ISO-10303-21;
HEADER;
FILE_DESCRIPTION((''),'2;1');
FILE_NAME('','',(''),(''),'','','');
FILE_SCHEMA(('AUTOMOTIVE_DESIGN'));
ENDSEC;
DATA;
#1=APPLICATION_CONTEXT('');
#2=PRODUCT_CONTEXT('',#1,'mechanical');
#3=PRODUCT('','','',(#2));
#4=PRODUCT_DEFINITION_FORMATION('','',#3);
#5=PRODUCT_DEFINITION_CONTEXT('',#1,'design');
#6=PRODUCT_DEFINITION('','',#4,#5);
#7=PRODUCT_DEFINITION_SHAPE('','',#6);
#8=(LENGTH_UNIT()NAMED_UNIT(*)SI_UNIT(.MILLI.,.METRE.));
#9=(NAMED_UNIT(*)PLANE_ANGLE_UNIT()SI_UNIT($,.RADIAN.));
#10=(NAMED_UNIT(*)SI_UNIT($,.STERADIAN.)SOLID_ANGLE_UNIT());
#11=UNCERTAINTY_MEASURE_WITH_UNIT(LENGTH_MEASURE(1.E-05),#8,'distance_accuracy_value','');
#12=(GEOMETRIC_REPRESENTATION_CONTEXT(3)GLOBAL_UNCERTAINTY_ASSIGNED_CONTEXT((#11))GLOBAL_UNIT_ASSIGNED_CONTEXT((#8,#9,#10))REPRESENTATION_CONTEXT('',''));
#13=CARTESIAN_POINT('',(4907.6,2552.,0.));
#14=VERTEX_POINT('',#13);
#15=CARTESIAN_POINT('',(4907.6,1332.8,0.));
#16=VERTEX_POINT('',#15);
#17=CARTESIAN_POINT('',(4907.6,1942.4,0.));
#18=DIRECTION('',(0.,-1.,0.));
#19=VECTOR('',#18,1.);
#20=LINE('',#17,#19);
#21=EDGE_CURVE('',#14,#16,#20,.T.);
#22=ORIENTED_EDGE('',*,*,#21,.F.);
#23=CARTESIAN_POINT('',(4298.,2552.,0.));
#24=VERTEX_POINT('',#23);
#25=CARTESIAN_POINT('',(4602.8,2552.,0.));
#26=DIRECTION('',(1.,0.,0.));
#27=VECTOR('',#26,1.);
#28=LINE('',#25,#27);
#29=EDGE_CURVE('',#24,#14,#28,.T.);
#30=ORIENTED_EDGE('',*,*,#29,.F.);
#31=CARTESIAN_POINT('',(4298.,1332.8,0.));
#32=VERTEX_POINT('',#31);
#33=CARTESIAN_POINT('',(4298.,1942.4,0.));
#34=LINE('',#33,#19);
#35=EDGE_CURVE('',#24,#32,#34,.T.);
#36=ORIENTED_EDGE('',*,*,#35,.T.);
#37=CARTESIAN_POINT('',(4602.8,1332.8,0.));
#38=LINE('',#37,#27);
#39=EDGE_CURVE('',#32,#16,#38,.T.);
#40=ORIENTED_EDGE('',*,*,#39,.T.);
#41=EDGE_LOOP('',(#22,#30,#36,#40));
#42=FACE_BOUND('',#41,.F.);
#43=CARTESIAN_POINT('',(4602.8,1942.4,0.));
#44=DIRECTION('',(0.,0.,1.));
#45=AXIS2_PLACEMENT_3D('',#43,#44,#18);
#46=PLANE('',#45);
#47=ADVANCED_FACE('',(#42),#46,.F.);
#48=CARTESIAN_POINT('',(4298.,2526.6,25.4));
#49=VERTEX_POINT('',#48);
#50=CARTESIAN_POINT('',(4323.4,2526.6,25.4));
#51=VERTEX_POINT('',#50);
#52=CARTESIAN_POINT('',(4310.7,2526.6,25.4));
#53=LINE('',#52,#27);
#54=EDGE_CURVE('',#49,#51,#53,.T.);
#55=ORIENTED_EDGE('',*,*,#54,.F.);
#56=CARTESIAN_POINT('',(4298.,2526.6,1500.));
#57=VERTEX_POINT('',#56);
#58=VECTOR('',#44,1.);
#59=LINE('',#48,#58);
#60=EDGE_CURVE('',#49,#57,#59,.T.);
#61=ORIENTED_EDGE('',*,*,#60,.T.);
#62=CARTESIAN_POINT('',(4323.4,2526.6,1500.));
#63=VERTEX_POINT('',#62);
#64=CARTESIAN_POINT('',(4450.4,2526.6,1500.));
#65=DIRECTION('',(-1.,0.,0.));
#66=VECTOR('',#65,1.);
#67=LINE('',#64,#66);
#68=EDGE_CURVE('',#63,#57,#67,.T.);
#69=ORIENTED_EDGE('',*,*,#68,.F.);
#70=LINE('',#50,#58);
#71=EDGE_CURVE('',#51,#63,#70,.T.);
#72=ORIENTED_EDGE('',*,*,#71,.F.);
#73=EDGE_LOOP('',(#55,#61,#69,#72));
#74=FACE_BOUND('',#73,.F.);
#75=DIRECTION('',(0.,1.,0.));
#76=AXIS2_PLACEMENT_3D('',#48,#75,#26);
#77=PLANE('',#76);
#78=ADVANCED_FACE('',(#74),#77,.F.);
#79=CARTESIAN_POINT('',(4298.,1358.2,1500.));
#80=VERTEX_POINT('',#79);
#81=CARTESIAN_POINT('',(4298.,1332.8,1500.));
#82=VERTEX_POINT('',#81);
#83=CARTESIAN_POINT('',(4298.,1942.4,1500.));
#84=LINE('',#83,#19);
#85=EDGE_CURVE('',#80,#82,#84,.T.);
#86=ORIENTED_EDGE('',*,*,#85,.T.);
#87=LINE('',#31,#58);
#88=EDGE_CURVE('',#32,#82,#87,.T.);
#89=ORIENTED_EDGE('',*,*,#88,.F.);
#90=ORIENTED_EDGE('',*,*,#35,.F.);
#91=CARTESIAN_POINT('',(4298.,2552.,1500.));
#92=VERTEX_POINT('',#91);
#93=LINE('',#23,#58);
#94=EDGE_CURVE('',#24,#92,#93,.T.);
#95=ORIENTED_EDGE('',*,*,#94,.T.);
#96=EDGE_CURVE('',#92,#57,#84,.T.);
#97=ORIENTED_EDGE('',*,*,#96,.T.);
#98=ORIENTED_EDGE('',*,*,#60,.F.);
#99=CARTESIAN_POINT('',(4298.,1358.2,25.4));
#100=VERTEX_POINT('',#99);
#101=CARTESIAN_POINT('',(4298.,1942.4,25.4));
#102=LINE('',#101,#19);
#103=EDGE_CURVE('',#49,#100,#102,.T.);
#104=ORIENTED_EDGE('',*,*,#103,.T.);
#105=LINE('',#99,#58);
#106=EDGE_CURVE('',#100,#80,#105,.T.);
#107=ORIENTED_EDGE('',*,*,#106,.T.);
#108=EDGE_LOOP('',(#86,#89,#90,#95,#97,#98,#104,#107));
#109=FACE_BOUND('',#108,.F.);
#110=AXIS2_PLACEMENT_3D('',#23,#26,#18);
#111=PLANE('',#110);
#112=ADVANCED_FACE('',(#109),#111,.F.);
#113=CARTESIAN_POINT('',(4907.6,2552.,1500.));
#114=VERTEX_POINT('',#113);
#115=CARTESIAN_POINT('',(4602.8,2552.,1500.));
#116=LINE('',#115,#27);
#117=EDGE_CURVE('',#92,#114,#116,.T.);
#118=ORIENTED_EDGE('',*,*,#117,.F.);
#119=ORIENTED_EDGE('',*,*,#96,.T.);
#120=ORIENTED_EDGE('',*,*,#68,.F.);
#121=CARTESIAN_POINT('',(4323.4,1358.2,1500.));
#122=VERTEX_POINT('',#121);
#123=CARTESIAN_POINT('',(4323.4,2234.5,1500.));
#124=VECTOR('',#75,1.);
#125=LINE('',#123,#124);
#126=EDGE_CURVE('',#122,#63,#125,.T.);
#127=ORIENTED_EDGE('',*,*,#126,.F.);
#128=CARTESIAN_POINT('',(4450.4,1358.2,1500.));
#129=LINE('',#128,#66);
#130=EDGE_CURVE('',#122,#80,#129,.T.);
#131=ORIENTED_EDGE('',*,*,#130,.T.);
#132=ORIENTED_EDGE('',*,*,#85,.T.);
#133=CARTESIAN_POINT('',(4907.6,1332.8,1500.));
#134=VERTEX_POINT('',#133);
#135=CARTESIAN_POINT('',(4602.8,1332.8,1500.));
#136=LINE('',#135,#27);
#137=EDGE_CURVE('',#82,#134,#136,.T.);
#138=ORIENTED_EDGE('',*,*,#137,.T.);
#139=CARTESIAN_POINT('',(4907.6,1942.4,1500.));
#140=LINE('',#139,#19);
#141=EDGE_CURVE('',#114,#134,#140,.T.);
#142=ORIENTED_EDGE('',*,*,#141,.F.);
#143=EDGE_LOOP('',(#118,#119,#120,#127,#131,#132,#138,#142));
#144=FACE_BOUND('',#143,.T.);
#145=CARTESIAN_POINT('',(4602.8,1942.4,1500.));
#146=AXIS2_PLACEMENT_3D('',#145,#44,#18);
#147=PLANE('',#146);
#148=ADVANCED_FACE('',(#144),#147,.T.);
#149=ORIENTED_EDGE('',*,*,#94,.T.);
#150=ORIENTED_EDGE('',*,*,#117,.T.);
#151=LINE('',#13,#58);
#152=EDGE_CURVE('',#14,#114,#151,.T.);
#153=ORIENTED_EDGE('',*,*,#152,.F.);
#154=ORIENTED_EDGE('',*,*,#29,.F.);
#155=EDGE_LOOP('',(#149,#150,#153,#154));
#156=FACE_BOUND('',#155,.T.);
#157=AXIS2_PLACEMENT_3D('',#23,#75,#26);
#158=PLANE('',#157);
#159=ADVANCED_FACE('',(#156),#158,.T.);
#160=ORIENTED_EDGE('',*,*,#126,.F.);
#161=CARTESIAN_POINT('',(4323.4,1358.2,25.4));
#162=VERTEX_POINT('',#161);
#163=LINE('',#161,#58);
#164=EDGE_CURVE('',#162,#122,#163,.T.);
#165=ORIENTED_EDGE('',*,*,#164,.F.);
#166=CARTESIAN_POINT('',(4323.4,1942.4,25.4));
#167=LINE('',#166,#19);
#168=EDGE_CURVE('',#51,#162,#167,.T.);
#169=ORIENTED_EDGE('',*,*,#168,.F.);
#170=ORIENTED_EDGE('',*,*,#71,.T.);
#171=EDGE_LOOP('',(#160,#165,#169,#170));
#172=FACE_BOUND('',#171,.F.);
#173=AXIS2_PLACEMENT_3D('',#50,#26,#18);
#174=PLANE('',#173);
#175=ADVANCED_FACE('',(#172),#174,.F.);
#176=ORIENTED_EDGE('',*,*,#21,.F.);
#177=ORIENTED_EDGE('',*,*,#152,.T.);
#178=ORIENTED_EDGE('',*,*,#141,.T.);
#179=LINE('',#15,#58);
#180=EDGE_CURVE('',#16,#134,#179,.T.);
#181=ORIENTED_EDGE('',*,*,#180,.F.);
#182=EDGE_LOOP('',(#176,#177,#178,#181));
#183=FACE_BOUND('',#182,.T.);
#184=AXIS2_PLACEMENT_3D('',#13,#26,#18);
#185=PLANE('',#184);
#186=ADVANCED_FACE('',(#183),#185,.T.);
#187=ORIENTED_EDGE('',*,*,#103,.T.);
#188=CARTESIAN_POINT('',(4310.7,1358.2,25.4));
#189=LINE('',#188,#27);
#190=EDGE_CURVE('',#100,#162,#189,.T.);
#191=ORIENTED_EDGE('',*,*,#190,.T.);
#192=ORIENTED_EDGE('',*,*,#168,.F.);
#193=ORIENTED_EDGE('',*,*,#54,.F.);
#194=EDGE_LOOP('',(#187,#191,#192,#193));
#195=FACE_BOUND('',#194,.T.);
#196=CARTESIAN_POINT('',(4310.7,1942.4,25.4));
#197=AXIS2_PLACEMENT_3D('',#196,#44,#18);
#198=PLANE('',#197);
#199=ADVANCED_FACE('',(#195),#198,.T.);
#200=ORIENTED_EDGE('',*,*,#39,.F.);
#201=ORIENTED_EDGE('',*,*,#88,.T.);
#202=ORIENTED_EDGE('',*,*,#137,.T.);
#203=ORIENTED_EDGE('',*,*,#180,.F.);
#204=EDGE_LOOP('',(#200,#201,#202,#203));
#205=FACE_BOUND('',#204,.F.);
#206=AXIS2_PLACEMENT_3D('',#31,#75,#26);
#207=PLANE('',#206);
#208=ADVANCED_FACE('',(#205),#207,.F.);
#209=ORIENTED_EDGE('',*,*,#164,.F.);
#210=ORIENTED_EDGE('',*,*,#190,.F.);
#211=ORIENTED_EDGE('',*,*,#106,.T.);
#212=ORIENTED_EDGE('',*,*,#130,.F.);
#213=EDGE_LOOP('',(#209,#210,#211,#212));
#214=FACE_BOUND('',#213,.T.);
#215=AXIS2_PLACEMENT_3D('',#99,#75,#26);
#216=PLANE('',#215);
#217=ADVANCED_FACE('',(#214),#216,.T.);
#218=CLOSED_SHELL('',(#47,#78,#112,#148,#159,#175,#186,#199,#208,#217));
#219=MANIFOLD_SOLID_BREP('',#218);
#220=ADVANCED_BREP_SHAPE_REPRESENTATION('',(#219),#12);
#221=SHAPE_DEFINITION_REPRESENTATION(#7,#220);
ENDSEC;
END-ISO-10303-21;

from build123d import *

# Parameters (mm, degrees)
BOX006_W               = 1168.4
BOX006_H               = 25.4
BOX006_DEPTH           = 1500
BOX005_W               = 1219.2
BOX005_H               = 609.6
BOX005_DEPTH           = 1500
CUT004_PLACEMENT_ANGLE = 270


with BuildPart() as cube006:
    # Box006 → Box006 (new body)
    with BuildSketch(Plane(origin=(25.4, 0, 25.4), x_dir=(1, 0, 0), z_dir=(0, 0, 1))):
        with Locations((584.2, 12.7)):
            Rectangle(BOX006_W, BOX006_H)
    extrude(amount=BOX006_DEPTH)


with BuildPart() as cut004:
    # Box005 → Box005 (new body)
    with BuildSketch(Plane.XY):
        with Locations((609.6, 304.8)):
            Rectangle(BOX005_W, BOX005_H)
    extrude(amount=BOX005_DEPTH)

    # Cut004: cut Cube006
    add(cube006.part, mode=Mode.SUBTRACT)


with BuildPart() as cut004_1:
    # Cut004 placement: moved
    add(cut004.part.moved(Location((4298, 2552, 0))).rotate(Axis((4298, 2552, 0), (0, 0, 1)), CUT004_PLACEMENT_ANGLE))


solid = cut004_1.part
